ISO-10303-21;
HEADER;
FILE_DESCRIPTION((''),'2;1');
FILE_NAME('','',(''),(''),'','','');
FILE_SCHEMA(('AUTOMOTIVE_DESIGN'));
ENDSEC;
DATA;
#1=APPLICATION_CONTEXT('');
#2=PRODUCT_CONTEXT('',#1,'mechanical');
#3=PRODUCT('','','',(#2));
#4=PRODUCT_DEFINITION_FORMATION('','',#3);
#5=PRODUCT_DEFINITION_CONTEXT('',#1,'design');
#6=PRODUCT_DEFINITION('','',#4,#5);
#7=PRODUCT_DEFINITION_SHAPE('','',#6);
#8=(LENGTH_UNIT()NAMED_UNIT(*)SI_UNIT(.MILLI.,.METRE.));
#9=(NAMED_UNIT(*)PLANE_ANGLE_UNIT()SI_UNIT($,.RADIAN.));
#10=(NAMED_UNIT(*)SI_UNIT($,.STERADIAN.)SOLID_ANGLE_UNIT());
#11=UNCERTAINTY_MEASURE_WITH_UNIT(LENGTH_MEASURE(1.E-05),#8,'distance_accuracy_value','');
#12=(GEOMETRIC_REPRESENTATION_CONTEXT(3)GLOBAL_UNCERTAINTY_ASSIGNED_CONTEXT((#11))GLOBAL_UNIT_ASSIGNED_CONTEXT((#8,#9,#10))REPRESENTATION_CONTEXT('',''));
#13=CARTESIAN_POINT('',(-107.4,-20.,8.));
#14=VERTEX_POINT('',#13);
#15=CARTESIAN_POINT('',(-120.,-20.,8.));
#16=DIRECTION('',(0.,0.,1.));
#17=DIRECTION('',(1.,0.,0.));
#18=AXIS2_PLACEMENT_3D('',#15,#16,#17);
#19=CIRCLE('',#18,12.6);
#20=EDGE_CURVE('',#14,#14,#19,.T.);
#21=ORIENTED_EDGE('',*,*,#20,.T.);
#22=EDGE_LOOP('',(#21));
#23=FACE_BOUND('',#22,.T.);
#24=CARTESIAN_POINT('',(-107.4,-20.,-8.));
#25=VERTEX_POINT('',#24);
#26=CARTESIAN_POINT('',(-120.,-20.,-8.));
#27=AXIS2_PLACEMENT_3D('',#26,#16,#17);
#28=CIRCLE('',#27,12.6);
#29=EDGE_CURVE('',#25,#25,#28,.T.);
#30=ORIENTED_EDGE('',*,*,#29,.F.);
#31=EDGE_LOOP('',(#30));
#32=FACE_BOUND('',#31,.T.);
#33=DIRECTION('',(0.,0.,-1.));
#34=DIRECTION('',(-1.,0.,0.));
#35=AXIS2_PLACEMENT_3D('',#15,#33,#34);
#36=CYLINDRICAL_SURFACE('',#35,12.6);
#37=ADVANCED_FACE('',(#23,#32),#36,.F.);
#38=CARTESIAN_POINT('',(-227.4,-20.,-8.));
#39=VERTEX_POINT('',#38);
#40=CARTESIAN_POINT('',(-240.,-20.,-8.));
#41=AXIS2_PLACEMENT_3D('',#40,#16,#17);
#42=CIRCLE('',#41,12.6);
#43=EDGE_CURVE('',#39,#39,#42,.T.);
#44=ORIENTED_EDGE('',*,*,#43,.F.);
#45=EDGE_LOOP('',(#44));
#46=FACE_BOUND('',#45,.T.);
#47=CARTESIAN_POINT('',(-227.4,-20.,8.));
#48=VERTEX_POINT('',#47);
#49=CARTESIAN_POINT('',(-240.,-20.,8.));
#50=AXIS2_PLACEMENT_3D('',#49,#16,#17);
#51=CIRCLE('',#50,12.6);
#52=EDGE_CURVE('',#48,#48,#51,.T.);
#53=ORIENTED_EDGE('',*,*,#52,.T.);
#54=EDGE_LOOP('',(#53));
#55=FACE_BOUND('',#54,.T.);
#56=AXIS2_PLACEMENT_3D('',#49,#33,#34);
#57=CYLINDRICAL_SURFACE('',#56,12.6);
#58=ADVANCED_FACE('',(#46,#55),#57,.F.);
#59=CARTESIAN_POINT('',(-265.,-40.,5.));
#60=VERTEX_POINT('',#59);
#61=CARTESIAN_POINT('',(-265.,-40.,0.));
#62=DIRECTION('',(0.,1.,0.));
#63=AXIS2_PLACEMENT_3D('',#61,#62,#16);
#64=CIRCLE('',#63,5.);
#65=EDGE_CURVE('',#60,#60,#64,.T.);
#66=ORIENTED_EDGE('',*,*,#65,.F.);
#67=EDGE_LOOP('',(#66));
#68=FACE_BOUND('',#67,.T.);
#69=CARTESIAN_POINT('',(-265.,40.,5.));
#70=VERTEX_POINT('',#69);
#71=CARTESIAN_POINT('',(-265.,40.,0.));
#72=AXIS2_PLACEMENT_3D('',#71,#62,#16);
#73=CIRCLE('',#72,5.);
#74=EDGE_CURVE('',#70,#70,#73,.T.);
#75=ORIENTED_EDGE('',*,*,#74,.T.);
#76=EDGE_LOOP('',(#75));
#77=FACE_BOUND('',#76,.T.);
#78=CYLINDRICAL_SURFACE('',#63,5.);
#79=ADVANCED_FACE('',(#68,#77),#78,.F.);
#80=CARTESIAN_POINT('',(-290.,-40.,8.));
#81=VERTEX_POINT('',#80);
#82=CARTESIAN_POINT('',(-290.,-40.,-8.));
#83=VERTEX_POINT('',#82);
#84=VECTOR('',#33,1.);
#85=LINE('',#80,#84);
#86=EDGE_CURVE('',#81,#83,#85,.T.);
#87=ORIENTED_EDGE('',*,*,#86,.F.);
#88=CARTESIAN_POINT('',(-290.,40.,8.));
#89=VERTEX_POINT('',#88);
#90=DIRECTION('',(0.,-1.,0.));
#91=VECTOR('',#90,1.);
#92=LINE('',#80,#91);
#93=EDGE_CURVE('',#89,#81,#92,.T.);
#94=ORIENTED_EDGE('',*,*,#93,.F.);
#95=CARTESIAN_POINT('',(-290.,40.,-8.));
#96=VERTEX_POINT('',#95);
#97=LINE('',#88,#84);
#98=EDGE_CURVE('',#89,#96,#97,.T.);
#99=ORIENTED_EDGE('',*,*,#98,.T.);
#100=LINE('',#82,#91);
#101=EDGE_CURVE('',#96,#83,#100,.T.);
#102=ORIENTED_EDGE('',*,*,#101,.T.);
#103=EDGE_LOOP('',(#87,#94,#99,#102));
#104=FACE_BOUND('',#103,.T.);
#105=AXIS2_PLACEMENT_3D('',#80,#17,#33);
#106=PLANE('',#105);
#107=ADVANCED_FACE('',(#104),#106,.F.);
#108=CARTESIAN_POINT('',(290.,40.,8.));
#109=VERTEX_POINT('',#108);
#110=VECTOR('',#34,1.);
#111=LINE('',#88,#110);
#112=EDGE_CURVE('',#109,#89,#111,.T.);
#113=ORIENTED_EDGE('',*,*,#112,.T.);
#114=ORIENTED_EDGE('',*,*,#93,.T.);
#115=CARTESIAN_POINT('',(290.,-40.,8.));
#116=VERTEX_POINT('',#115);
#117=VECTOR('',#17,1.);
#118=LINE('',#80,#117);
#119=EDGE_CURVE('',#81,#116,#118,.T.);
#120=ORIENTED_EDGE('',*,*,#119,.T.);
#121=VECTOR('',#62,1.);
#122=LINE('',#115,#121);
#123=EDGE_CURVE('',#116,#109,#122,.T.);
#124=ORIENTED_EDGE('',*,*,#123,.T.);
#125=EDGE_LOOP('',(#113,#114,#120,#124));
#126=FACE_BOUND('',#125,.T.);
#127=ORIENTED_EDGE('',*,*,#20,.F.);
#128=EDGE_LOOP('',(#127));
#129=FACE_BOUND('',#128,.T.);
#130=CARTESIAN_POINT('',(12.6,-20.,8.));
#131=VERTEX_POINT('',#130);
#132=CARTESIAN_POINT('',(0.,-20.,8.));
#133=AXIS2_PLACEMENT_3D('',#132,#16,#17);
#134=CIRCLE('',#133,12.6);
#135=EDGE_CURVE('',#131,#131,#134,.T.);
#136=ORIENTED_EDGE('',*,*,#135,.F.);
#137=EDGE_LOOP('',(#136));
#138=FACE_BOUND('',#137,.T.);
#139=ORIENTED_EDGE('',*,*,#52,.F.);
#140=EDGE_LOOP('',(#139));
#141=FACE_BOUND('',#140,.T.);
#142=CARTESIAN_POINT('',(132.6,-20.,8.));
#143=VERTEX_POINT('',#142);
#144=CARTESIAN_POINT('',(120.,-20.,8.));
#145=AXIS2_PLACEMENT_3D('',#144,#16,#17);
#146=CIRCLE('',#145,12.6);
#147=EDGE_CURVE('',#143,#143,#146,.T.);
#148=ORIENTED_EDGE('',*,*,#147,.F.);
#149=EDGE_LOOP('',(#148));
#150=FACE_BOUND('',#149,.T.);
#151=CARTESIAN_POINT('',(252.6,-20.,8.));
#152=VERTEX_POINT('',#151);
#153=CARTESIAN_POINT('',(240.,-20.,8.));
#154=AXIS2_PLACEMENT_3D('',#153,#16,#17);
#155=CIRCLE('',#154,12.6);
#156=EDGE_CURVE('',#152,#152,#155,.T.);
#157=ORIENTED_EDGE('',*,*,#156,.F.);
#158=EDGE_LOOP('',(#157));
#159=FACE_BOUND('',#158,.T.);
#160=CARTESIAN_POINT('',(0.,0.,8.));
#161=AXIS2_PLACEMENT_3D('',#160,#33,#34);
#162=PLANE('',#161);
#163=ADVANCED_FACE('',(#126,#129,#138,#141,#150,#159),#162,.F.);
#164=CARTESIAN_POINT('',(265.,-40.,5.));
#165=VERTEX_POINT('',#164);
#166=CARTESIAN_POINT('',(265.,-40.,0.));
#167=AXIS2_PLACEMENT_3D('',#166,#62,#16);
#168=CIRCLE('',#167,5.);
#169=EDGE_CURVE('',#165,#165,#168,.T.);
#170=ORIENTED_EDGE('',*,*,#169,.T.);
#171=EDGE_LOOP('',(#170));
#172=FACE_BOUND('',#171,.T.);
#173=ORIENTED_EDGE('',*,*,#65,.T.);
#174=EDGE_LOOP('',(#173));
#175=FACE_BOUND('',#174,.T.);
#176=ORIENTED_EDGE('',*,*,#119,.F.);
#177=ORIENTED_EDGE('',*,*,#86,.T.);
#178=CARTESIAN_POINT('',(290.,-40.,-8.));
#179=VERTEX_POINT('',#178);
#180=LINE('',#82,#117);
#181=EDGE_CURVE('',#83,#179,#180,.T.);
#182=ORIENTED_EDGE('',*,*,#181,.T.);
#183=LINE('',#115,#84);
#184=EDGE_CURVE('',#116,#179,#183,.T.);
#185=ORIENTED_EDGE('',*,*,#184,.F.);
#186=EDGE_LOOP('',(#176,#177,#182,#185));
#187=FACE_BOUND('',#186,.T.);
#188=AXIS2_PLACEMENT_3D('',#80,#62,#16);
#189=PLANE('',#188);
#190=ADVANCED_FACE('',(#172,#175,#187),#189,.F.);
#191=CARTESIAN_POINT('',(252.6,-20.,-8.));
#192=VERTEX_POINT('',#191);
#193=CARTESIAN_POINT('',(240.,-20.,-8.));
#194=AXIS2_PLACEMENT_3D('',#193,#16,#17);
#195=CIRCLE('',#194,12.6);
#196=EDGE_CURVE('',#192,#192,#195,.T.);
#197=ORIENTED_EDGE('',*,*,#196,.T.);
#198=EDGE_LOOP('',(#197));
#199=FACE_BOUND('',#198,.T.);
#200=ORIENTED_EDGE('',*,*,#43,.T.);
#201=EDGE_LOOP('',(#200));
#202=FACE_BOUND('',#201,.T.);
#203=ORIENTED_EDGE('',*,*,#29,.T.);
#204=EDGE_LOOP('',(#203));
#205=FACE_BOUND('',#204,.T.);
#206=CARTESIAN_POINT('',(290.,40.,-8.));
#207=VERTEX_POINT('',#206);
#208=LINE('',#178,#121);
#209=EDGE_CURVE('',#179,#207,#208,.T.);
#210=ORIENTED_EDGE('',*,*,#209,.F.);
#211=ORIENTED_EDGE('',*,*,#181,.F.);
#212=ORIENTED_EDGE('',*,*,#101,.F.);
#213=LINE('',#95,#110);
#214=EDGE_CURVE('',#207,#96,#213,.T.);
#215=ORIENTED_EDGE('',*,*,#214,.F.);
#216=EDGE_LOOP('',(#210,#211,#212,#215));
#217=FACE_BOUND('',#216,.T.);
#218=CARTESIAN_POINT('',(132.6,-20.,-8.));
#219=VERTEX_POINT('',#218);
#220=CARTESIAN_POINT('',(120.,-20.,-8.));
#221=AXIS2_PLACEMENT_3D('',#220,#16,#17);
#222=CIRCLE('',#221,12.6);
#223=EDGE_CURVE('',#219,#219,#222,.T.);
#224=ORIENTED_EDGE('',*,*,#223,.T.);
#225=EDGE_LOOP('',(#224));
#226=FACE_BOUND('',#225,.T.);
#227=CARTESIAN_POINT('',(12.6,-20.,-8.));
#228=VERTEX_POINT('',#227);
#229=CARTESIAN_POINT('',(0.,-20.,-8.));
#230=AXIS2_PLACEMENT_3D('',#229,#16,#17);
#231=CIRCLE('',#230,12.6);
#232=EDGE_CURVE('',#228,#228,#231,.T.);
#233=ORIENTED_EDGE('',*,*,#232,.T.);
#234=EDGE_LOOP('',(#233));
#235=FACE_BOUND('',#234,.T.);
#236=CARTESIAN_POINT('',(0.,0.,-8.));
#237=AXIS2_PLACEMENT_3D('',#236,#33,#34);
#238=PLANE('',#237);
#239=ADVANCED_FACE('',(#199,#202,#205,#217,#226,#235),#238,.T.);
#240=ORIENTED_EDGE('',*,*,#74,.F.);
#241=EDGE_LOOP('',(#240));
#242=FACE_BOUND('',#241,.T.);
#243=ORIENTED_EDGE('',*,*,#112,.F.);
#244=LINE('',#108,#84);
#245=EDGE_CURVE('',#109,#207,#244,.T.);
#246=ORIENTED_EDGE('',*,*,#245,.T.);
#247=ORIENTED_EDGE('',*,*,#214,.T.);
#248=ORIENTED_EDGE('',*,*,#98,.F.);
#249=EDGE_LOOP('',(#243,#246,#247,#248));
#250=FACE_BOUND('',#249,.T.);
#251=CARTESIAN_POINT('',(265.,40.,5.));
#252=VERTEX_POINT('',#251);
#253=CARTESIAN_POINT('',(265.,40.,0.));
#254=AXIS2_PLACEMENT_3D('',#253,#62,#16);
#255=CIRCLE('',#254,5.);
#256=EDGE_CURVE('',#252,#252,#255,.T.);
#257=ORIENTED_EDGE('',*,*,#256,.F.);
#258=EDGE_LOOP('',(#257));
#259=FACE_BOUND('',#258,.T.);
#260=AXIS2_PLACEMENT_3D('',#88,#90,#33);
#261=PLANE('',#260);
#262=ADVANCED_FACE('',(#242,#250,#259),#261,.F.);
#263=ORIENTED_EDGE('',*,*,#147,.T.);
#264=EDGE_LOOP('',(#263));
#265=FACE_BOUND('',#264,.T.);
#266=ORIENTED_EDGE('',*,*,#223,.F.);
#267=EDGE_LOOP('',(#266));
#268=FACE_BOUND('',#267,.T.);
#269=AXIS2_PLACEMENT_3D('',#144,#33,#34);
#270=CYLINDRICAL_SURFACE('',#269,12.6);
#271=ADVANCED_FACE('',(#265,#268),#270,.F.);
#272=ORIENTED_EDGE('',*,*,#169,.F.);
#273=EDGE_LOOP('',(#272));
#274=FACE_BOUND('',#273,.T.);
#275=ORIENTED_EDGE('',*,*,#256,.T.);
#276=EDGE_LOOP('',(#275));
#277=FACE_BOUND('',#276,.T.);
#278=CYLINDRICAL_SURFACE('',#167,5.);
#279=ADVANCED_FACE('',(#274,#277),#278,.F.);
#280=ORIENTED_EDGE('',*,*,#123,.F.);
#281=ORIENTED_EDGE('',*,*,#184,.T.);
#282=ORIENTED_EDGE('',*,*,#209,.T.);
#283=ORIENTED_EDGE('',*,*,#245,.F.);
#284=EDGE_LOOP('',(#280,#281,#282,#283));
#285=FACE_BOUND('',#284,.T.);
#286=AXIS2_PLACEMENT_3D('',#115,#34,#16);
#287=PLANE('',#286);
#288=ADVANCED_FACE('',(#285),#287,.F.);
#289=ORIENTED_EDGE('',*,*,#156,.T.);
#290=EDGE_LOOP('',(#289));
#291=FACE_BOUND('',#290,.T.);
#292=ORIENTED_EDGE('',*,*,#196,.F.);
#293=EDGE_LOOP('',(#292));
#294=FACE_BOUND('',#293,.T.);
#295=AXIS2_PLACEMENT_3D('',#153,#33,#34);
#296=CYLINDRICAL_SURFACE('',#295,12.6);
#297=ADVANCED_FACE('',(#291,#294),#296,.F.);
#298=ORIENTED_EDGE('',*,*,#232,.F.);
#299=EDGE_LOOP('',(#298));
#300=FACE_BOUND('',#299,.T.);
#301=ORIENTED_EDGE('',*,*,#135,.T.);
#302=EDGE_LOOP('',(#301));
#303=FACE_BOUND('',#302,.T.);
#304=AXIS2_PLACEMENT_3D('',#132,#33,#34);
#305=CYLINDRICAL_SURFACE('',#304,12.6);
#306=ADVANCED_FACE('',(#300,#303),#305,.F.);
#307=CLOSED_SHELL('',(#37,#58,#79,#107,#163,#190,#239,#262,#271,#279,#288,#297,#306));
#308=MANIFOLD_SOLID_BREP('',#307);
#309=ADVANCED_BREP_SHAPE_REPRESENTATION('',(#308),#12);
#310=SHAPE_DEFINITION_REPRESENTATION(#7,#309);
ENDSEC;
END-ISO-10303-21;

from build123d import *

# Parameters (mm, degrees)
SKETCH1_W           = 580
SKETCH1_H           = 80
SKETCH1_R           = 12.6
BOSS_EXTRUDE1_DEPTH = 8
SKETCH2_R           = 5
CUT_EXTRUDE1_DEPTH  = 301.93853193


with BuildPart() as part:
    # Sketch1 → Boss-Extrude1 (new, symmetric)
    with BuildSketch(Plane.XY):
        Rectangle(SKETCH1_W, SKETCH1_H)
        with Locations((-240, -20)):
            Circle(SKETCH1_R, mode=Mode.SUBTRACT)
        with Locations((-120, -20)):
            Circle(SKETCH1_R, mode=Mode.SUBTRACT)
        with Locations((0, -20)):
            Circle(SKETCH1_R, mode=Mode.SUBTRACT)
        with Locations((120, -20)):
            Circle(SKETCH1_R, mode=Mode.SUBTRACT)
        with Locations((240, -20)):
            Circle(SKETCH1_R, mode=Mode.SUBTRACT)
    extrude(amount=BOSS_EXTRUDE1_DEPTH, both=True)

    # Sketch2 → Cut-Extrude1 (cut, through all)
    with BuildSketch(Plane(origin=(0, 40, 0), x_dir=(1, 0, 0), z_dir=(0, 1, 0))):
        with Locations((-265, 0)):
            Circle(SKETCH2_R)
        with Locations((265, 0)):
            Circle(SKETCH2_R)
    extrude(amount=-CUT_EXTRUDE1_DEPTH, mode=Mode.SUBTRACT)


solid = part.part
